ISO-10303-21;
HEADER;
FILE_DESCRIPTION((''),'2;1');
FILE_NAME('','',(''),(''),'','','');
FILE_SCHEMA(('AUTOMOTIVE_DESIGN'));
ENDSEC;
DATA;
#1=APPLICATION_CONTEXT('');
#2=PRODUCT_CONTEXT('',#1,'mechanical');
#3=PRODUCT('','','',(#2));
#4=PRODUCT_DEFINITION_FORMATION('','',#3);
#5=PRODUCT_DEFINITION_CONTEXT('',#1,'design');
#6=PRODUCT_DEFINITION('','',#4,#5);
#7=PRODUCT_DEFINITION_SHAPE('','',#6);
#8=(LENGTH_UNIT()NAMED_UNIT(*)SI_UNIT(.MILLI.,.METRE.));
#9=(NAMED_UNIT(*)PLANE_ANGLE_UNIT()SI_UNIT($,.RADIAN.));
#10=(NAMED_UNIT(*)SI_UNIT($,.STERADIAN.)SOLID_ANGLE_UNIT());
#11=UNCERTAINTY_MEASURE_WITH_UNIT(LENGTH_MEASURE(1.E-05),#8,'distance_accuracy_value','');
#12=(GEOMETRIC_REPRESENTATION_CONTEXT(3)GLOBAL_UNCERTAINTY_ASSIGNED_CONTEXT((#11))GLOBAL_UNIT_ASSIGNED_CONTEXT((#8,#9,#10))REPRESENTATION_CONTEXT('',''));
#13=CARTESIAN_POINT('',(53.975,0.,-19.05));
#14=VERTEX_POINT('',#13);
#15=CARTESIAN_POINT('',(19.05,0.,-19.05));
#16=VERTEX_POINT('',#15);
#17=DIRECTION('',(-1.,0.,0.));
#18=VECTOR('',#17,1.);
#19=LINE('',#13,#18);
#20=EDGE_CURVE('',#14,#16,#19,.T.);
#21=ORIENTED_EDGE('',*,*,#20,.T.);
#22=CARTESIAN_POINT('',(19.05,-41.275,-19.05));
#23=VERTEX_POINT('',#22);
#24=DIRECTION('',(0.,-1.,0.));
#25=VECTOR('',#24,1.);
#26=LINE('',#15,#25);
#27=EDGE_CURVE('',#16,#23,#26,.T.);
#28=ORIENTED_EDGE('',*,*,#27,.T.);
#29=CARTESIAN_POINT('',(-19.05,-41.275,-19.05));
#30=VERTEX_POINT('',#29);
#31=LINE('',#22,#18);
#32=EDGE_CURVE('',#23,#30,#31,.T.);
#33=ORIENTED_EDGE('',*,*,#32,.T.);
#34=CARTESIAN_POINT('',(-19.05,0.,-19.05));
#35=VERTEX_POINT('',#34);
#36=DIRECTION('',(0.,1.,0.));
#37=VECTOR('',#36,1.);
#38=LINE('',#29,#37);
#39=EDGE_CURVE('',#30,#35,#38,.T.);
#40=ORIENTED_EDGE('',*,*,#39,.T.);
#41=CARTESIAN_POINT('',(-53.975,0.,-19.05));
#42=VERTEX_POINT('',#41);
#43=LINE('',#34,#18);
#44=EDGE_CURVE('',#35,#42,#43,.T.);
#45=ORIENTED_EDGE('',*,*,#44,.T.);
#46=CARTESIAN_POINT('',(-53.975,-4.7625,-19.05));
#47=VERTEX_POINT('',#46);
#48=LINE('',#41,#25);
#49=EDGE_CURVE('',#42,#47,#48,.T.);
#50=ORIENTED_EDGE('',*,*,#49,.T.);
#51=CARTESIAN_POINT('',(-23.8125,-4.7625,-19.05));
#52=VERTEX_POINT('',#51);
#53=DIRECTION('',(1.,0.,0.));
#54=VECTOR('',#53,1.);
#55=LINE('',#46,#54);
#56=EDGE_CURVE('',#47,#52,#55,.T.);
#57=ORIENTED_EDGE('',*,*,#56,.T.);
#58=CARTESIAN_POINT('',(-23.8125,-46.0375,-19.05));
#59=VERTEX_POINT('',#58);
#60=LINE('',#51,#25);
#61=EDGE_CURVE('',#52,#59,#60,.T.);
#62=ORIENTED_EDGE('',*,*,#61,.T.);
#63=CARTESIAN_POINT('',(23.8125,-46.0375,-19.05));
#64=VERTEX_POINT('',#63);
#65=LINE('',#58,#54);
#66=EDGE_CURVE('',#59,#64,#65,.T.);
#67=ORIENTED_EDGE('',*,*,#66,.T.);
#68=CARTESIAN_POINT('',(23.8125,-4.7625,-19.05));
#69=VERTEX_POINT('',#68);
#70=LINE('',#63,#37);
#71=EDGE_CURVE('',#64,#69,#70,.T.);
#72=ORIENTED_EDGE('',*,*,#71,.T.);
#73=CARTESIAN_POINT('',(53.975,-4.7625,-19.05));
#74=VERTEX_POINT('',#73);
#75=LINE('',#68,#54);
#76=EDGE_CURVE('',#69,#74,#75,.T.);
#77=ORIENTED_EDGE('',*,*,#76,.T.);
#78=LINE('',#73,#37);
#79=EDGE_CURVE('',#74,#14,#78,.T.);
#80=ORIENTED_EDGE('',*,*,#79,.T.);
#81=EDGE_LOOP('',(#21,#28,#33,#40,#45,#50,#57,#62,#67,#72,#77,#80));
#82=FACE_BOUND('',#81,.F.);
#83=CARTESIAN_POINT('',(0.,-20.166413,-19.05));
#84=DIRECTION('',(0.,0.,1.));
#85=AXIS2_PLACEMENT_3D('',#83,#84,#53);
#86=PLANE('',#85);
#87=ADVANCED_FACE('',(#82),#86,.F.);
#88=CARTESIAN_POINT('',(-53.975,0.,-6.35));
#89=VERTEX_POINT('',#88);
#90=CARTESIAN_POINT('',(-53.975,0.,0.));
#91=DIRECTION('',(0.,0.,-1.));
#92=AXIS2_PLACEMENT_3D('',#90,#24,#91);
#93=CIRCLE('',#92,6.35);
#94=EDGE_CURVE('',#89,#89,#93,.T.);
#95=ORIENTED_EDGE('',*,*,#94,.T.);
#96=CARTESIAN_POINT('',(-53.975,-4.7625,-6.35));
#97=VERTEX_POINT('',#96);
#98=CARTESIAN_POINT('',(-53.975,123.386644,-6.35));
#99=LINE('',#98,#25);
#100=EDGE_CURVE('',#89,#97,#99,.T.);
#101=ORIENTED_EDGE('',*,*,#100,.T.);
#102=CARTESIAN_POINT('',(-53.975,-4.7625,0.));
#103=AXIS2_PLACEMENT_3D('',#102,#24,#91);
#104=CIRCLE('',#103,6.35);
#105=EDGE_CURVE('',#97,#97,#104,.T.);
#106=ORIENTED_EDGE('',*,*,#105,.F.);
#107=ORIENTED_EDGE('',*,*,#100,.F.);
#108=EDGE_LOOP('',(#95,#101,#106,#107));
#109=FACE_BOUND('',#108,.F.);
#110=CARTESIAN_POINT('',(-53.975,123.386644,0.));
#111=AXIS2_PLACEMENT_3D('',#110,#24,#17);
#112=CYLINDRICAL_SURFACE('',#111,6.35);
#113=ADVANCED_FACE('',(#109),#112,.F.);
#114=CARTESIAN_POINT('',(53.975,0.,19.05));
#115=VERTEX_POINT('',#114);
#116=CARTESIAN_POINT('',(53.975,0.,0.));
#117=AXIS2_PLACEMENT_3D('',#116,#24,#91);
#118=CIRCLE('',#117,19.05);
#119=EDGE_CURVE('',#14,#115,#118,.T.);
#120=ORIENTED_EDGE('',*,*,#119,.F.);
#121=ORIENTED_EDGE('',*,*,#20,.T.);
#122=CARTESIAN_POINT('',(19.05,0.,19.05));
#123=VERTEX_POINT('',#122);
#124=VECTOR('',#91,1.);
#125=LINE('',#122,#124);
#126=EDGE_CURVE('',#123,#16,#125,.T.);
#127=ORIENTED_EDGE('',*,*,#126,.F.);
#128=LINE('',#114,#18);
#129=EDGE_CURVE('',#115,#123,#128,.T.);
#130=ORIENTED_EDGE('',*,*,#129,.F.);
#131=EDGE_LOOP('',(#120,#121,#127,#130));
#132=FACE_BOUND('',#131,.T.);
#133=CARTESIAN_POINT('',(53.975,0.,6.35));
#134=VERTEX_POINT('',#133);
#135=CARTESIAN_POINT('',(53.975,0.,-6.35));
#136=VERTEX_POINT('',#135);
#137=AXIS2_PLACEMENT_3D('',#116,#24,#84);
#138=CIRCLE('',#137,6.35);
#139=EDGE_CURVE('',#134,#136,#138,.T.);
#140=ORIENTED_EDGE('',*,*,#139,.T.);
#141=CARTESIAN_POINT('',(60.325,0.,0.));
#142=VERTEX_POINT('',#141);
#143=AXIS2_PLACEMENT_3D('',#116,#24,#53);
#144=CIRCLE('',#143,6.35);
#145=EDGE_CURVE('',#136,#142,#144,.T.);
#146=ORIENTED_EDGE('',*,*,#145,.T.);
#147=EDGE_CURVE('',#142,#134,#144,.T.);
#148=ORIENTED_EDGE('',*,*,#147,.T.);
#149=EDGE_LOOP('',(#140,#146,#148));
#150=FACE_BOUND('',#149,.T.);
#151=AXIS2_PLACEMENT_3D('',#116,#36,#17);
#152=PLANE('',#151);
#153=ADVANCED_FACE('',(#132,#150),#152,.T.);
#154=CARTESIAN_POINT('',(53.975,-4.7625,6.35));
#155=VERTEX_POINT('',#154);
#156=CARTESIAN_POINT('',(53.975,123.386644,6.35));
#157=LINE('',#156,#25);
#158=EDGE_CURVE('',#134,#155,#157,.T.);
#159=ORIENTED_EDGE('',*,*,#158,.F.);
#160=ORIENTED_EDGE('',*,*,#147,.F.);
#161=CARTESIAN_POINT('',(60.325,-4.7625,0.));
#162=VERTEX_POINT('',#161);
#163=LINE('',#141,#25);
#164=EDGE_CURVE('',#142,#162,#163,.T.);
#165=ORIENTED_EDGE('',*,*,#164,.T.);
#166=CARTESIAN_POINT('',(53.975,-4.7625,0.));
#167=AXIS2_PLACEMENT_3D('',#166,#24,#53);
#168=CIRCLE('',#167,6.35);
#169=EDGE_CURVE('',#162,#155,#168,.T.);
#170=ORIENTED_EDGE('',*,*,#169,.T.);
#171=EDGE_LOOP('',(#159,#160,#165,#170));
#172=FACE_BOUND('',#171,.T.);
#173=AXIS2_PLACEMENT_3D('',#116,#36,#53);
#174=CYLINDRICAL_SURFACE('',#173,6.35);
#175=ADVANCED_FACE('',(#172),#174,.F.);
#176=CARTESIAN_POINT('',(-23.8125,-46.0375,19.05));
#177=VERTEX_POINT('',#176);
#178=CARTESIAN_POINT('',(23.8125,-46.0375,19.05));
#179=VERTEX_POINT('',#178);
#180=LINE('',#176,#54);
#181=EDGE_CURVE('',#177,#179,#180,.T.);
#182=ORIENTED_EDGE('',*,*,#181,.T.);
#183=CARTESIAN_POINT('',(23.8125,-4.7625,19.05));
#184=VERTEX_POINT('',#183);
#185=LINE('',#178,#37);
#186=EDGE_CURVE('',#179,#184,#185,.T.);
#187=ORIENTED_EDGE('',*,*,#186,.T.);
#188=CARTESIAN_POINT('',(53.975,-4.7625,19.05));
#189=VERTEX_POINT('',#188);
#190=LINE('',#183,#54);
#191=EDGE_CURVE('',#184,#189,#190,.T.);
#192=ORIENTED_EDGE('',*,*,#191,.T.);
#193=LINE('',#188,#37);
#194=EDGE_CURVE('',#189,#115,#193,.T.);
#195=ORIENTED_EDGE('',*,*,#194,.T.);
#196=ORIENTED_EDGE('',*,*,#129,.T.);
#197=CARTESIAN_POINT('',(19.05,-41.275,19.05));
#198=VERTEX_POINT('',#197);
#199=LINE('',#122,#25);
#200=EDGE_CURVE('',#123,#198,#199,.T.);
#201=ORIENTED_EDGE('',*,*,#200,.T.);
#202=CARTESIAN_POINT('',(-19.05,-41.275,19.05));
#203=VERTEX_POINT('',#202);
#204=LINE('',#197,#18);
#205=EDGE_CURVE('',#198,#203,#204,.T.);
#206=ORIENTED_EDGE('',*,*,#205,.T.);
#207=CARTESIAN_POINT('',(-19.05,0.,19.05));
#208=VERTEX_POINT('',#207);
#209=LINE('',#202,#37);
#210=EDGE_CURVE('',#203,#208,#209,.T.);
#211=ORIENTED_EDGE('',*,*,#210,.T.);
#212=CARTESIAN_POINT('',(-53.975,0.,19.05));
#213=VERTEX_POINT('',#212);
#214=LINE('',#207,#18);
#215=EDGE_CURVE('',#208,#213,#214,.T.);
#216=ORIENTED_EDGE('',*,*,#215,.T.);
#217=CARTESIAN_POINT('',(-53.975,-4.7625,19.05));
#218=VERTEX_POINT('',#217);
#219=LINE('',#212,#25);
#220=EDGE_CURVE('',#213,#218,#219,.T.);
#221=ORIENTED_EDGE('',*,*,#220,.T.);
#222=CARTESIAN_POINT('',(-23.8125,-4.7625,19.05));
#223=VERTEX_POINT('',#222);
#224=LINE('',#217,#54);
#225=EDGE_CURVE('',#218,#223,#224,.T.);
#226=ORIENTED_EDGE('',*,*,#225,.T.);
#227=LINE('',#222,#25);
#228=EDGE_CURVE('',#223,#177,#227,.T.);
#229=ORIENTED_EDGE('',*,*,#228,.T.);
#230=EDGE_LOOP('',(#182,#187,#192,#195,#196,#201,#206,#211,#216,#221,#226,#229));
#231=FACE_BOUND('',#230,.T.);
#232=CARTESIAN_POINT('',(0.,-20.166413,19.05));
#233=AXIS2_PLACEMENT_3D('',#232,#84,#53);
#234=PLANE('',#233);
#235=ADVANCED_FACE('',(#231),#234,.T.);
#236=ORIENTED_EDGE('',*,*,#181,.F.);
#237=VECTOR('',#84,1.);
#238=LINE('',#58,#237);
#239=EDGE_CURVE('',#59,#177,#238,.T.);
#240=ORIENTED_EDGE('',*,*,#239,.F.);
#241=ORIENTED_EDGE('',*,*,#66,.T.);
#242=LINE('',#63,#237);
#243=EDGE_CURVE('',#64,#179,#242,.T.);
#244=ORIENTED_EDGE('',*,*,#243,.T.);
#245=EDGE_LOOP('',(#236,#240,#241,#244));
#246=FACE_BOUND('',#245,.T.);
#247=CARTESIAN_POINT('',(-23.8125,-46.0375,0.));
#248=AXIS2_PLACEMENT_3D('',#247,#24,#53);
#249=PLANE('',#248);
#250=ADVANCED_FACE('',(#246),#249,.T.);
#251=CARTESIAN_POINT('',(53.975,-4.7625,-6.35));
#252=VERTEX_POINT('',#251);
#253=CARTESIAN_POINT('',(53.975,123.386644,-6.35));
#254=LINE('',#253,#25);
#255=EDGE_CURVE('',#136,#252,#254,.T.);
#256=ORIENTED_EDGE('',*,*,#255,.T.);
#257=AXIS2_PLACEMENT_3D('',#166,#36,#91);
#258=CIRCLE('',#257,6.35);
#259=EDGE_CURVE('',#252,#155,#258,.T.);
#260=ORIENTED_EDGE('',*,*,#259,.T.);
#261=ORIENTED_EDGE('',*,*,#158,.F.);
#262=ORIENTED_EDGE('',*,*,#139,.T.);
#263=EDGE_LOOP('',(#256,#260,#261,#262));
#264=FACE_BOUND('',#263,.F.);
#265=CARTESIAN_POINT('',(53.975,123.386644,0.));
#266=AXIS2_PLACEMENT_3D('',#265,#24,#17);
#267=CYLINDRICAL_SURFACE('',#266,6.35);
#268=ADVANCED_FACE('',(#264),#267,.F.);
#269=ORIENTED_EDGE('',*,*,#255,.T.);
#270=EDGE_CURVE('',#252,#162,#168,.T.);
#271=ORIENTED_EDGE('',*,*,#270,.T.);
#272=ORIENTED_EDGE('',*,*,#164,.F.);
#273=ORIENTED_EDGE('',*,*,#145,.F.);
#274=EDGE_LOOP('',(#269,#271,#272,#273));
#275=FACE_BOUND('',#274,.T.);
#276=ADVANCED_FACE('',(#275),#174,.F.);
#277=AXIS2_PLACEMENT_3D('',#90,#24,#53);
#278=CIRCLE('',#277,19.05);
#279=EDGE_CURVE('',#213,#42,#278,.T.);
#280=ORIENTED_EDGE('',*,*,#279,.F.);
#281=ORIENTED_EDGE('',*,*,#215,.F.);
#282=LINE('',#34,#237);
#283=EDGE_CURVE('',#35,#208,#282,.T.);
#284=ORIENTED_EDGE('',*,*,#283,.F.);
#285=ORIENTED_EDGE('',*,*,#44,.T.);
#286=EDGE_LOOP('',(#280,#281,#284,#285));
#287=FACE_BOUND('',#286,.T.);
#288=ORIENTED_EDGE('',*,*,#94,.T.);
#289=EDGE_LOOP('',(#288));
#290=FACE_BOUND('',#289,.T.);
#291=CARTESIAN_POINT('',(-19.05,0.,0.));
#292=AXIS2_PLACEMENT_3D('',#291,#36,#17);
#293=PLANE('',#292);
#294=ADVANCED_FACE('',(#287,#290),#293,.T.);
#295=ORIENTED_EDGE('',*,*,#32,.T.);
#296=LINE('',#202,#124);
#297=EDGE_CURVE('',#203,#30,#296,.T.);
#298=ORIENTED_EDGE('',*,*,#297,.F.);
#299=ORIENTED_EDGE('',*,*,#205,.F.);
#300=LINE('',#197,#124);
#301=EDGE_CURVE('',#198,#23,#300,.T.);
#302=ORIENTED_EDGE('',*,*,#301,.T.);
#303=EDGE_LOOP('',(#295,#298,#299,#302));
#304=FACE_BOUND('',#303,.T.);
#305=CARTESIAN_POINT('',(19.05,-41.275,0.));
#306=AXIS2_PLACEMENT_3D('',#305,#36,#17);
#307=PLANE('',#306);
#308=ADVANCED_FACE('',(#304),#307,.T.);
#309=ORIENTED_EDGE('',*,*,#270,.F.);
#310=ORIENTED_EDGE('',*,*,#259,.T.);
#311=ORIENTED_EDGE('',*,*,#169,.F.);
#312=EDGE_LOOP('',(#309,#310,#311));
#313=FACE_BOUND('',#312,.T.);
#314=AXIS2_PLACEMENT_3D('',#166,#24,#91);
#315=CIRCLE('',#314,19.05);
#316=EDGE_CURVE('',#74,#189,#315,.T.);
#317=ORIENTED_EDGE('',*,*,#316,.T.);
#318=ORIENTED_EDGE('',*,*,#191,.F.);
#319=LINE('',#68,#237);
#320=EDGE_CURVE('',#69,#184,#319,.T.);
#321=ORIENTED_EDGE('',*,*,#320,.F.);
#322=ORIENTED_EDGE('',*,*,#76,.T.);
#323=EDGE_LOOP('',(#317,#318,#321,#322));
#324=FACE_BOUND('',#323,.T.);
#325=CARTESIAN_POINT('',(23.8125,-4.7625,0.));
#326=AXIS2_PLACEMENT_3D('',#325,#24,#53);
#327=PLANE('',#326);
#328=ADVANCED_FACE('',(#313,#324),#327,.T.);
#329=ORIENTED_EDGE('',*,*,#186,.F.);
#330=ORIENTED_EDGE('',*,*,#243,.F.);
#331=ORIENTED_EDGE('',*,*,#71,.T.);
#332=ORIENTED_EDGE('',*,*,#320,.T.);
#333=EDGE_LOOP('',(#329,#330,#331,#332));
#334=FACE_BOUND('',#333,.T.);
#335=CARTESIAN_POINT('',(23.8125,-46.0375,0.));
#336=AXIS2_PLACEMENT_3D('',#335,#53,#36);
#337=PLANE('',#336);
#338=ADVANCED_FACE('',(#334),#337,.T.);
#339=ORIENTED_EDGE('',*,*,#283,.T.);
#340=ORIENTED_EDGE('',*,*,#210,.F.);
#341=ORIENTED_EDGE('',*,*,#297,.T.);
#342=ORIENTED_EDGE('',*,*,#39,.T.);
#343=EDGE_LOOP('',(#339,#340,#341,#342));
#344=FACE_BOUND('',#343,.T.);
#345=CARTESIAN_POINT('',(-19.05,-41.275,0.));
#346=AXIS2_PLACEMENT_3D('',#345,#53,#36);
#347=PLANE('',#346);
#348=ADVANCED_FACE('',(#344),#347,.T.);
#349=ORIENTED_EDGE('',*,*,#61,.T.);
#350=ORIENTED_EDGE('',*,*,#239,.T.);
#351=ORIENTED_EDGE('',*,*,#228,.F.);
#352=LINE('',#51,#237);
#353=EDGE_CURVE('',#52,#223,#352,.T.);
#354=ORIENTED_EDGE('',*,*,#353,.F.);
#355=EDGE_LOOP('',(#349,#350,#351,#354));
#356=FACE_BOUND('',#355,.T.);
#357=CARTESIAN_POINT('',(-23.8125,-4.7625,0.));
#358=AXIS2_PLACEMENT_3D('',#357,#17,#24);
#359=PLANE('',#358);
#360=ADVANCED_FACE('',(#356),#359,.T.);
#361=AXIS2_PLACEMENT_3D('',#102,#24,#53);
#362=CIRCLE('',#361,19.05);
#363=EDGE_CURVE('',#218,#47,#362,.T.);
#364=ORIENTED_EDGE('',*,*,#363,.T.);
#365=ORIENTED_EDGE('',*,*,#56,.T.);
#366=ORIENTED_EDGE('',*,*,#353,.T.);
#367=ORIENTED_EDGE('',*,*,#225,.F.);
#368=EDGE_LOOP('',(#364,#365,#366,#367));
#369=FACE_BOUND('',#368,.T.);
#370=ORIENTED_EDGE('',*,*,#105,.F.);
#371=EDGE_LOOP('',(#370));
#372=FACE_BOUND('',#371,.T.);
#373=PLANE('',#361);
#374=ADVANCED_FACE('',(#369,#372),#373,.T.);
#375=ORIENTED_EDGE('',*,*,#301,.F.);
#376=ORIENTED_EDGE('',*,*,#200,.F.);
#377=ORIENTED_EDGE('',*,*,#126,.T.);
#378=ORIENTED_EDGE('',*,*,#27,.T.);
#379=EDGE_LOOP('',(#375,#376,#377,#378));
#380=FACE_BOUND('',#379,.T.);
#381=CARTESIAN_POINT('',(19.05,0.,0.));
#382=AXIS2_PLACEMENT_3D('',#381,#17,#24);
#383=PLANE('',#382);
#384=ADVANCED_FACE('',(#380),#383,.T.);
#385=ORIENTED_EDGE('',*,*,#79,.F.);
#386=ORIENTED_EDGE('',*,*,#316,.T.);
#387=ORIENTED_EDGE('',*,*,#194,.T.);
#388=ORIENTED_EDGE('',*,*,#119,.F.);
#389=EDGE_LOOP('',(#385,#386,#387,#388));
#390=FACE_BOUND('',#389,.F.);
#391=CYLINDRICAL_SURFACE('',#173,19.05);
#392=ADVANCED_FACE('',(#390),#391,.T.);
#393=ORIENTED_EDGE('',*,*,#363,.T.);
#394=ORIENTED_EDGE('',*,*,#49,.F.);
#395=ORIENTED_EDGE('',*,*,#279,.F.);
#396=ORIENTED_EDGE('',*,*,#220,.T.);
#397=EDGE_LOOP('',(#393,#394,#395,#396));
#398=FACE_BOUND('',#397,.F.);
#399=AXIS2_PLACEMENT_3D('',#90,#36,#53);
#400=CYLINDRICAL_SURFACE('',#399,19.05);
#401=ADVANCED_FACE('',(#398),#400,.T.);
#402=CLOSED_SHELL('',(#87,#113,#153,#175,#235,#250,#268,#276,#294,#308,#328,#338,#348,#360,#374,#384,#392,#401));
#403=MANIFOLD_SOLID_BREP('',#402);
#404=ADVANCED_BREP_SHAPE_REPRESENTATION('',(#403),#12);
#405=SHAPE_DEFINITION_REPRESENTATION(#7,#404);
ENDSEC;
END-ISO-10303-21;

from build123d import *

# Parameters (mm, degrees)
F1_DEPTH      = 19.05
F1_DEPTH_BACK = 19.05
F3_D          = 12.7
F2_R          = 19.05
F2_R_2        = 6.35
F4_DEPTH      = 4.7625


with BuildPart() as f1:
    # F0 (on Top) → F1 (new body, two sides)
    with BuildSketch(Plane.XY) as f1_sk:
        Polygon((-19.05, -41.275), (-19.05, 0), (-53.975, 0), (-53.975, -4.7625), (-23.8125, -4.7625), (-23.8125, -46.0375), (23.8125, -46.0375), (23.8125, -4.7625), (53.975, -4.7625), (53.975, 0), (19.05, 0), (19.05, -41.275), align=None)
    extrude(amount=F1_DEPTH)
    extrude(f1_sk.sketch, amount=-F1_DEPTH_BACK)

    # F3 (through all)
    with Locations(Plane(origin=(0, 0, 0), x_dir=(1, 0, 0), z_dir=(0, 1, 0))):
        with Locations((-53.975, 0), (53.975, 0)):
            Hole(F3_D / 2)

    # F2 (on Front) → F4 (join)
    with BuildSketch(Plane.XZ):
        with Locations((-53.975, 0)):
            Circle(F2_R)
        with Locations((-53.975, 0)):
            Circle(F2_R_2, mode=Mode.SUBTRACT)
        with Locations((53.975, 0)):
            Circle(F2_R)
        with Locations((53.975, 0)):
            Circle(F2_R_2, mode=Mode.SUBTRACT)
    extrude(amount=F4_DEPTH)


solid = f1.part
